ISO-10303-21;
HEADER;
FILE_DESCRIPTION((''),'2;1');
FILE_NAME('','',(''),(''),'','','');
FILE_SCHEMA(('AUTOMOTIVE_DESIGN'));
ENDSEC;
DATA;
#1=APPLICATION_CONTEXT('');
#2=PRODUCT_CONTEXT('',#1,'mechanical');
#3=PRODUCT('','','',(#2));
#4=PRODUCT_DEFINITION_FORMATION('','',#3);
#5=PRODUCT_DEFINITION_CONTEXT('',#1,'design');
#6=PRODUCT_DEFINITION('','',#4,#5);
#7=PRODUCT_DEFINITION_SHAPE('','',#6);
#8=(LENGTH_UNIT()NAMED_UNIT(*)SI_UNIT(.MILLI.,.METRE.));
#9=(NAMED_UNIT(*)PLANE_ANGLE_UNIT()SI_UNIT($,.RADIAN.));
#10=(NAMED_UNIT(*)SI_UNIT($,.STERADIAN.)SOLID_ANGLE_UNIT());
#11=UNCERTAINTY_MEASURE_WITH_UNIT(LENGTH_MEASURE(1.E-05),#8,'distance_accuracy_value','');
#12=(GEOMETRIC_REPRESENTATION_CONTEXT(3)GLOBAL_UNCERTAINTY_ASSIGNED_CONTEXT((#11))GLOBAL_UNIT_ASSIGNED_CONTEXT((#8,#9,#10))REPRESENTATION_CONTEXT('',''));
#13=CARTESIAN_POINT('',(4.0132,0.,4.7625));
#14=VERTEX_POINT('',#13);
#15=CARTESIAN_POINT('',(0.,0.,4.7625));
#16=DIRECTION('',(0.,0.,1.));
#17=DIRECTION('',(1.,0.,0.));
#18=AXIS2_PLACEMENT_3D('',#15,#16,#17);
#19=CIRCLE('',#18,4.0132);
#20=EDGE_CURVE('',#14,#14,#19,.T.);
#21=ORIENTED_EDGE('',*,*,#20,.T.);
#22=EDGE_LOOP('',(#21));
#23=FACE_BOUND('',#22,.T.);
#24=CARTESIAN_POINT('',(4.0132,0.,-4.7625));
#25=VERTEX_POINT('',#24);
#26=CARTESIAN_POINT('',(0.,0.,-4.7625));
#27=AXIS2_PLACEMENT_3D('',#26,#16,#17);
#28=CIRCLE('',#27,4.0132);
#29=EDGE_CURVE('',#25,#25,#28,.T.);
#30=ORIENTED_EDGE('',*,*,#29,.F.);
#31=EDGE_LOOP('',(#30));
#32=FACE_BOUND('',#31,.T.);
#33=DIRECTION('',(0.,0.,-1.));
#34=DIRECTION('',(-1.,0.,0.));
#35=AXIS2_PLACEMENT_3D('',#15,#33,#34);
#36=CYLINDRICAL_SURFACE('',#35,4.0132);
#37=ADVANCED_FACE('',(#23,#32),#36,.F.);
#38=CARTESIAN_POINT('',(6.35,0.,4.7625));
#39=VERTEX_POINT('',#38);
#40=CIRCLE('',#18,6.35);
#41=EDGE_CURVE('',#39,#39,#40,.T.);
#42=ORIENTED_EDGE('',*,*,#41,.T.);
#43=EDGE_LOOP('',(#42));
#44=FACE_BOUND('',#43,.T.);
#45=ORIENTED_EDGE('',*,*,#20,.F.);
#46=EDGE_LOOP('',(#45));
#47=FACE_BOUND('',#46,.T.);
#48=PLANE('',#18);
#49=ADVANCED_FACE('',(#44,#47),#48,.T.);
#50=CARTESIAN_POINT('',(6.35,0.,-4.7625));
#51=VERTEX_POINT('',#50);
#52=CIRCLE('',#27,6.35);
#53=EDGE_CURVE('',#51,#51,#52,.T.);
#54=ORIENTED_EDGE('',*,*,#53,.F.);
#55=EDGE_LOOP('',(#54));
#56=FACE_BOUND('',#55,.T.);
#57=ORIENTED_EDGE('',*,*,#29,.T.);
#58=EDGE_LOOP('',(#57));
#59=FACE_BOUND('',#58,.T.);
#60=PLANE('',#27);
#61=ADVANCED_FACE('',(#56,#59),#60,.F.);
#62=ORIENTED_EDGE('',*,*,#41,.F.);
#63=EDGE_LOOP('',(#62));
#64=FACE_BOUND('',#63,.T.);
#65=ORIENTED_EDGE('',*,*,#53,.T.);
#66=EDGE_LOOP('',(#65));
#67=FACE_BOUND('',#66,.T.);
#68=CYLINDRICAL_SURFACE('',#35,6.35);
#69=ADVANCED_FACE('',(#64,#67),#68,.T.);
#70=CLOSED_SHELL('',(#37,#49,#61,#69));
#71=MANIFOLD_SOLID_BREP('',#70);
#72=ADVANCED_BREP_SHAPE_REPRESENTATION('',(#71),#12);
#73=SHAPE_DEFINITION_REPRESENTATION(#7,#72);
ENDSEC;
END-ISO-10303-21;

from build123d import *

# Parameters (mm, degrees)
SKETCH1_R      = 6.35
SKETCH1_R_2    = 4.0132
EXTRUDE1_DEPTH = 4.7625


with BuildPart() as part:
    # Sketch1 → Extrude1 (new body, symmetric)
    with BuildSketch(Plane.XY):
        Circle(SKETCH1_R)
        Circle(SKETCH1_R_2, mode=Mode.SUBTRACT)
    extrude(amount=EXTRUDE1_DEPTH, both=True)


solid = part.part
